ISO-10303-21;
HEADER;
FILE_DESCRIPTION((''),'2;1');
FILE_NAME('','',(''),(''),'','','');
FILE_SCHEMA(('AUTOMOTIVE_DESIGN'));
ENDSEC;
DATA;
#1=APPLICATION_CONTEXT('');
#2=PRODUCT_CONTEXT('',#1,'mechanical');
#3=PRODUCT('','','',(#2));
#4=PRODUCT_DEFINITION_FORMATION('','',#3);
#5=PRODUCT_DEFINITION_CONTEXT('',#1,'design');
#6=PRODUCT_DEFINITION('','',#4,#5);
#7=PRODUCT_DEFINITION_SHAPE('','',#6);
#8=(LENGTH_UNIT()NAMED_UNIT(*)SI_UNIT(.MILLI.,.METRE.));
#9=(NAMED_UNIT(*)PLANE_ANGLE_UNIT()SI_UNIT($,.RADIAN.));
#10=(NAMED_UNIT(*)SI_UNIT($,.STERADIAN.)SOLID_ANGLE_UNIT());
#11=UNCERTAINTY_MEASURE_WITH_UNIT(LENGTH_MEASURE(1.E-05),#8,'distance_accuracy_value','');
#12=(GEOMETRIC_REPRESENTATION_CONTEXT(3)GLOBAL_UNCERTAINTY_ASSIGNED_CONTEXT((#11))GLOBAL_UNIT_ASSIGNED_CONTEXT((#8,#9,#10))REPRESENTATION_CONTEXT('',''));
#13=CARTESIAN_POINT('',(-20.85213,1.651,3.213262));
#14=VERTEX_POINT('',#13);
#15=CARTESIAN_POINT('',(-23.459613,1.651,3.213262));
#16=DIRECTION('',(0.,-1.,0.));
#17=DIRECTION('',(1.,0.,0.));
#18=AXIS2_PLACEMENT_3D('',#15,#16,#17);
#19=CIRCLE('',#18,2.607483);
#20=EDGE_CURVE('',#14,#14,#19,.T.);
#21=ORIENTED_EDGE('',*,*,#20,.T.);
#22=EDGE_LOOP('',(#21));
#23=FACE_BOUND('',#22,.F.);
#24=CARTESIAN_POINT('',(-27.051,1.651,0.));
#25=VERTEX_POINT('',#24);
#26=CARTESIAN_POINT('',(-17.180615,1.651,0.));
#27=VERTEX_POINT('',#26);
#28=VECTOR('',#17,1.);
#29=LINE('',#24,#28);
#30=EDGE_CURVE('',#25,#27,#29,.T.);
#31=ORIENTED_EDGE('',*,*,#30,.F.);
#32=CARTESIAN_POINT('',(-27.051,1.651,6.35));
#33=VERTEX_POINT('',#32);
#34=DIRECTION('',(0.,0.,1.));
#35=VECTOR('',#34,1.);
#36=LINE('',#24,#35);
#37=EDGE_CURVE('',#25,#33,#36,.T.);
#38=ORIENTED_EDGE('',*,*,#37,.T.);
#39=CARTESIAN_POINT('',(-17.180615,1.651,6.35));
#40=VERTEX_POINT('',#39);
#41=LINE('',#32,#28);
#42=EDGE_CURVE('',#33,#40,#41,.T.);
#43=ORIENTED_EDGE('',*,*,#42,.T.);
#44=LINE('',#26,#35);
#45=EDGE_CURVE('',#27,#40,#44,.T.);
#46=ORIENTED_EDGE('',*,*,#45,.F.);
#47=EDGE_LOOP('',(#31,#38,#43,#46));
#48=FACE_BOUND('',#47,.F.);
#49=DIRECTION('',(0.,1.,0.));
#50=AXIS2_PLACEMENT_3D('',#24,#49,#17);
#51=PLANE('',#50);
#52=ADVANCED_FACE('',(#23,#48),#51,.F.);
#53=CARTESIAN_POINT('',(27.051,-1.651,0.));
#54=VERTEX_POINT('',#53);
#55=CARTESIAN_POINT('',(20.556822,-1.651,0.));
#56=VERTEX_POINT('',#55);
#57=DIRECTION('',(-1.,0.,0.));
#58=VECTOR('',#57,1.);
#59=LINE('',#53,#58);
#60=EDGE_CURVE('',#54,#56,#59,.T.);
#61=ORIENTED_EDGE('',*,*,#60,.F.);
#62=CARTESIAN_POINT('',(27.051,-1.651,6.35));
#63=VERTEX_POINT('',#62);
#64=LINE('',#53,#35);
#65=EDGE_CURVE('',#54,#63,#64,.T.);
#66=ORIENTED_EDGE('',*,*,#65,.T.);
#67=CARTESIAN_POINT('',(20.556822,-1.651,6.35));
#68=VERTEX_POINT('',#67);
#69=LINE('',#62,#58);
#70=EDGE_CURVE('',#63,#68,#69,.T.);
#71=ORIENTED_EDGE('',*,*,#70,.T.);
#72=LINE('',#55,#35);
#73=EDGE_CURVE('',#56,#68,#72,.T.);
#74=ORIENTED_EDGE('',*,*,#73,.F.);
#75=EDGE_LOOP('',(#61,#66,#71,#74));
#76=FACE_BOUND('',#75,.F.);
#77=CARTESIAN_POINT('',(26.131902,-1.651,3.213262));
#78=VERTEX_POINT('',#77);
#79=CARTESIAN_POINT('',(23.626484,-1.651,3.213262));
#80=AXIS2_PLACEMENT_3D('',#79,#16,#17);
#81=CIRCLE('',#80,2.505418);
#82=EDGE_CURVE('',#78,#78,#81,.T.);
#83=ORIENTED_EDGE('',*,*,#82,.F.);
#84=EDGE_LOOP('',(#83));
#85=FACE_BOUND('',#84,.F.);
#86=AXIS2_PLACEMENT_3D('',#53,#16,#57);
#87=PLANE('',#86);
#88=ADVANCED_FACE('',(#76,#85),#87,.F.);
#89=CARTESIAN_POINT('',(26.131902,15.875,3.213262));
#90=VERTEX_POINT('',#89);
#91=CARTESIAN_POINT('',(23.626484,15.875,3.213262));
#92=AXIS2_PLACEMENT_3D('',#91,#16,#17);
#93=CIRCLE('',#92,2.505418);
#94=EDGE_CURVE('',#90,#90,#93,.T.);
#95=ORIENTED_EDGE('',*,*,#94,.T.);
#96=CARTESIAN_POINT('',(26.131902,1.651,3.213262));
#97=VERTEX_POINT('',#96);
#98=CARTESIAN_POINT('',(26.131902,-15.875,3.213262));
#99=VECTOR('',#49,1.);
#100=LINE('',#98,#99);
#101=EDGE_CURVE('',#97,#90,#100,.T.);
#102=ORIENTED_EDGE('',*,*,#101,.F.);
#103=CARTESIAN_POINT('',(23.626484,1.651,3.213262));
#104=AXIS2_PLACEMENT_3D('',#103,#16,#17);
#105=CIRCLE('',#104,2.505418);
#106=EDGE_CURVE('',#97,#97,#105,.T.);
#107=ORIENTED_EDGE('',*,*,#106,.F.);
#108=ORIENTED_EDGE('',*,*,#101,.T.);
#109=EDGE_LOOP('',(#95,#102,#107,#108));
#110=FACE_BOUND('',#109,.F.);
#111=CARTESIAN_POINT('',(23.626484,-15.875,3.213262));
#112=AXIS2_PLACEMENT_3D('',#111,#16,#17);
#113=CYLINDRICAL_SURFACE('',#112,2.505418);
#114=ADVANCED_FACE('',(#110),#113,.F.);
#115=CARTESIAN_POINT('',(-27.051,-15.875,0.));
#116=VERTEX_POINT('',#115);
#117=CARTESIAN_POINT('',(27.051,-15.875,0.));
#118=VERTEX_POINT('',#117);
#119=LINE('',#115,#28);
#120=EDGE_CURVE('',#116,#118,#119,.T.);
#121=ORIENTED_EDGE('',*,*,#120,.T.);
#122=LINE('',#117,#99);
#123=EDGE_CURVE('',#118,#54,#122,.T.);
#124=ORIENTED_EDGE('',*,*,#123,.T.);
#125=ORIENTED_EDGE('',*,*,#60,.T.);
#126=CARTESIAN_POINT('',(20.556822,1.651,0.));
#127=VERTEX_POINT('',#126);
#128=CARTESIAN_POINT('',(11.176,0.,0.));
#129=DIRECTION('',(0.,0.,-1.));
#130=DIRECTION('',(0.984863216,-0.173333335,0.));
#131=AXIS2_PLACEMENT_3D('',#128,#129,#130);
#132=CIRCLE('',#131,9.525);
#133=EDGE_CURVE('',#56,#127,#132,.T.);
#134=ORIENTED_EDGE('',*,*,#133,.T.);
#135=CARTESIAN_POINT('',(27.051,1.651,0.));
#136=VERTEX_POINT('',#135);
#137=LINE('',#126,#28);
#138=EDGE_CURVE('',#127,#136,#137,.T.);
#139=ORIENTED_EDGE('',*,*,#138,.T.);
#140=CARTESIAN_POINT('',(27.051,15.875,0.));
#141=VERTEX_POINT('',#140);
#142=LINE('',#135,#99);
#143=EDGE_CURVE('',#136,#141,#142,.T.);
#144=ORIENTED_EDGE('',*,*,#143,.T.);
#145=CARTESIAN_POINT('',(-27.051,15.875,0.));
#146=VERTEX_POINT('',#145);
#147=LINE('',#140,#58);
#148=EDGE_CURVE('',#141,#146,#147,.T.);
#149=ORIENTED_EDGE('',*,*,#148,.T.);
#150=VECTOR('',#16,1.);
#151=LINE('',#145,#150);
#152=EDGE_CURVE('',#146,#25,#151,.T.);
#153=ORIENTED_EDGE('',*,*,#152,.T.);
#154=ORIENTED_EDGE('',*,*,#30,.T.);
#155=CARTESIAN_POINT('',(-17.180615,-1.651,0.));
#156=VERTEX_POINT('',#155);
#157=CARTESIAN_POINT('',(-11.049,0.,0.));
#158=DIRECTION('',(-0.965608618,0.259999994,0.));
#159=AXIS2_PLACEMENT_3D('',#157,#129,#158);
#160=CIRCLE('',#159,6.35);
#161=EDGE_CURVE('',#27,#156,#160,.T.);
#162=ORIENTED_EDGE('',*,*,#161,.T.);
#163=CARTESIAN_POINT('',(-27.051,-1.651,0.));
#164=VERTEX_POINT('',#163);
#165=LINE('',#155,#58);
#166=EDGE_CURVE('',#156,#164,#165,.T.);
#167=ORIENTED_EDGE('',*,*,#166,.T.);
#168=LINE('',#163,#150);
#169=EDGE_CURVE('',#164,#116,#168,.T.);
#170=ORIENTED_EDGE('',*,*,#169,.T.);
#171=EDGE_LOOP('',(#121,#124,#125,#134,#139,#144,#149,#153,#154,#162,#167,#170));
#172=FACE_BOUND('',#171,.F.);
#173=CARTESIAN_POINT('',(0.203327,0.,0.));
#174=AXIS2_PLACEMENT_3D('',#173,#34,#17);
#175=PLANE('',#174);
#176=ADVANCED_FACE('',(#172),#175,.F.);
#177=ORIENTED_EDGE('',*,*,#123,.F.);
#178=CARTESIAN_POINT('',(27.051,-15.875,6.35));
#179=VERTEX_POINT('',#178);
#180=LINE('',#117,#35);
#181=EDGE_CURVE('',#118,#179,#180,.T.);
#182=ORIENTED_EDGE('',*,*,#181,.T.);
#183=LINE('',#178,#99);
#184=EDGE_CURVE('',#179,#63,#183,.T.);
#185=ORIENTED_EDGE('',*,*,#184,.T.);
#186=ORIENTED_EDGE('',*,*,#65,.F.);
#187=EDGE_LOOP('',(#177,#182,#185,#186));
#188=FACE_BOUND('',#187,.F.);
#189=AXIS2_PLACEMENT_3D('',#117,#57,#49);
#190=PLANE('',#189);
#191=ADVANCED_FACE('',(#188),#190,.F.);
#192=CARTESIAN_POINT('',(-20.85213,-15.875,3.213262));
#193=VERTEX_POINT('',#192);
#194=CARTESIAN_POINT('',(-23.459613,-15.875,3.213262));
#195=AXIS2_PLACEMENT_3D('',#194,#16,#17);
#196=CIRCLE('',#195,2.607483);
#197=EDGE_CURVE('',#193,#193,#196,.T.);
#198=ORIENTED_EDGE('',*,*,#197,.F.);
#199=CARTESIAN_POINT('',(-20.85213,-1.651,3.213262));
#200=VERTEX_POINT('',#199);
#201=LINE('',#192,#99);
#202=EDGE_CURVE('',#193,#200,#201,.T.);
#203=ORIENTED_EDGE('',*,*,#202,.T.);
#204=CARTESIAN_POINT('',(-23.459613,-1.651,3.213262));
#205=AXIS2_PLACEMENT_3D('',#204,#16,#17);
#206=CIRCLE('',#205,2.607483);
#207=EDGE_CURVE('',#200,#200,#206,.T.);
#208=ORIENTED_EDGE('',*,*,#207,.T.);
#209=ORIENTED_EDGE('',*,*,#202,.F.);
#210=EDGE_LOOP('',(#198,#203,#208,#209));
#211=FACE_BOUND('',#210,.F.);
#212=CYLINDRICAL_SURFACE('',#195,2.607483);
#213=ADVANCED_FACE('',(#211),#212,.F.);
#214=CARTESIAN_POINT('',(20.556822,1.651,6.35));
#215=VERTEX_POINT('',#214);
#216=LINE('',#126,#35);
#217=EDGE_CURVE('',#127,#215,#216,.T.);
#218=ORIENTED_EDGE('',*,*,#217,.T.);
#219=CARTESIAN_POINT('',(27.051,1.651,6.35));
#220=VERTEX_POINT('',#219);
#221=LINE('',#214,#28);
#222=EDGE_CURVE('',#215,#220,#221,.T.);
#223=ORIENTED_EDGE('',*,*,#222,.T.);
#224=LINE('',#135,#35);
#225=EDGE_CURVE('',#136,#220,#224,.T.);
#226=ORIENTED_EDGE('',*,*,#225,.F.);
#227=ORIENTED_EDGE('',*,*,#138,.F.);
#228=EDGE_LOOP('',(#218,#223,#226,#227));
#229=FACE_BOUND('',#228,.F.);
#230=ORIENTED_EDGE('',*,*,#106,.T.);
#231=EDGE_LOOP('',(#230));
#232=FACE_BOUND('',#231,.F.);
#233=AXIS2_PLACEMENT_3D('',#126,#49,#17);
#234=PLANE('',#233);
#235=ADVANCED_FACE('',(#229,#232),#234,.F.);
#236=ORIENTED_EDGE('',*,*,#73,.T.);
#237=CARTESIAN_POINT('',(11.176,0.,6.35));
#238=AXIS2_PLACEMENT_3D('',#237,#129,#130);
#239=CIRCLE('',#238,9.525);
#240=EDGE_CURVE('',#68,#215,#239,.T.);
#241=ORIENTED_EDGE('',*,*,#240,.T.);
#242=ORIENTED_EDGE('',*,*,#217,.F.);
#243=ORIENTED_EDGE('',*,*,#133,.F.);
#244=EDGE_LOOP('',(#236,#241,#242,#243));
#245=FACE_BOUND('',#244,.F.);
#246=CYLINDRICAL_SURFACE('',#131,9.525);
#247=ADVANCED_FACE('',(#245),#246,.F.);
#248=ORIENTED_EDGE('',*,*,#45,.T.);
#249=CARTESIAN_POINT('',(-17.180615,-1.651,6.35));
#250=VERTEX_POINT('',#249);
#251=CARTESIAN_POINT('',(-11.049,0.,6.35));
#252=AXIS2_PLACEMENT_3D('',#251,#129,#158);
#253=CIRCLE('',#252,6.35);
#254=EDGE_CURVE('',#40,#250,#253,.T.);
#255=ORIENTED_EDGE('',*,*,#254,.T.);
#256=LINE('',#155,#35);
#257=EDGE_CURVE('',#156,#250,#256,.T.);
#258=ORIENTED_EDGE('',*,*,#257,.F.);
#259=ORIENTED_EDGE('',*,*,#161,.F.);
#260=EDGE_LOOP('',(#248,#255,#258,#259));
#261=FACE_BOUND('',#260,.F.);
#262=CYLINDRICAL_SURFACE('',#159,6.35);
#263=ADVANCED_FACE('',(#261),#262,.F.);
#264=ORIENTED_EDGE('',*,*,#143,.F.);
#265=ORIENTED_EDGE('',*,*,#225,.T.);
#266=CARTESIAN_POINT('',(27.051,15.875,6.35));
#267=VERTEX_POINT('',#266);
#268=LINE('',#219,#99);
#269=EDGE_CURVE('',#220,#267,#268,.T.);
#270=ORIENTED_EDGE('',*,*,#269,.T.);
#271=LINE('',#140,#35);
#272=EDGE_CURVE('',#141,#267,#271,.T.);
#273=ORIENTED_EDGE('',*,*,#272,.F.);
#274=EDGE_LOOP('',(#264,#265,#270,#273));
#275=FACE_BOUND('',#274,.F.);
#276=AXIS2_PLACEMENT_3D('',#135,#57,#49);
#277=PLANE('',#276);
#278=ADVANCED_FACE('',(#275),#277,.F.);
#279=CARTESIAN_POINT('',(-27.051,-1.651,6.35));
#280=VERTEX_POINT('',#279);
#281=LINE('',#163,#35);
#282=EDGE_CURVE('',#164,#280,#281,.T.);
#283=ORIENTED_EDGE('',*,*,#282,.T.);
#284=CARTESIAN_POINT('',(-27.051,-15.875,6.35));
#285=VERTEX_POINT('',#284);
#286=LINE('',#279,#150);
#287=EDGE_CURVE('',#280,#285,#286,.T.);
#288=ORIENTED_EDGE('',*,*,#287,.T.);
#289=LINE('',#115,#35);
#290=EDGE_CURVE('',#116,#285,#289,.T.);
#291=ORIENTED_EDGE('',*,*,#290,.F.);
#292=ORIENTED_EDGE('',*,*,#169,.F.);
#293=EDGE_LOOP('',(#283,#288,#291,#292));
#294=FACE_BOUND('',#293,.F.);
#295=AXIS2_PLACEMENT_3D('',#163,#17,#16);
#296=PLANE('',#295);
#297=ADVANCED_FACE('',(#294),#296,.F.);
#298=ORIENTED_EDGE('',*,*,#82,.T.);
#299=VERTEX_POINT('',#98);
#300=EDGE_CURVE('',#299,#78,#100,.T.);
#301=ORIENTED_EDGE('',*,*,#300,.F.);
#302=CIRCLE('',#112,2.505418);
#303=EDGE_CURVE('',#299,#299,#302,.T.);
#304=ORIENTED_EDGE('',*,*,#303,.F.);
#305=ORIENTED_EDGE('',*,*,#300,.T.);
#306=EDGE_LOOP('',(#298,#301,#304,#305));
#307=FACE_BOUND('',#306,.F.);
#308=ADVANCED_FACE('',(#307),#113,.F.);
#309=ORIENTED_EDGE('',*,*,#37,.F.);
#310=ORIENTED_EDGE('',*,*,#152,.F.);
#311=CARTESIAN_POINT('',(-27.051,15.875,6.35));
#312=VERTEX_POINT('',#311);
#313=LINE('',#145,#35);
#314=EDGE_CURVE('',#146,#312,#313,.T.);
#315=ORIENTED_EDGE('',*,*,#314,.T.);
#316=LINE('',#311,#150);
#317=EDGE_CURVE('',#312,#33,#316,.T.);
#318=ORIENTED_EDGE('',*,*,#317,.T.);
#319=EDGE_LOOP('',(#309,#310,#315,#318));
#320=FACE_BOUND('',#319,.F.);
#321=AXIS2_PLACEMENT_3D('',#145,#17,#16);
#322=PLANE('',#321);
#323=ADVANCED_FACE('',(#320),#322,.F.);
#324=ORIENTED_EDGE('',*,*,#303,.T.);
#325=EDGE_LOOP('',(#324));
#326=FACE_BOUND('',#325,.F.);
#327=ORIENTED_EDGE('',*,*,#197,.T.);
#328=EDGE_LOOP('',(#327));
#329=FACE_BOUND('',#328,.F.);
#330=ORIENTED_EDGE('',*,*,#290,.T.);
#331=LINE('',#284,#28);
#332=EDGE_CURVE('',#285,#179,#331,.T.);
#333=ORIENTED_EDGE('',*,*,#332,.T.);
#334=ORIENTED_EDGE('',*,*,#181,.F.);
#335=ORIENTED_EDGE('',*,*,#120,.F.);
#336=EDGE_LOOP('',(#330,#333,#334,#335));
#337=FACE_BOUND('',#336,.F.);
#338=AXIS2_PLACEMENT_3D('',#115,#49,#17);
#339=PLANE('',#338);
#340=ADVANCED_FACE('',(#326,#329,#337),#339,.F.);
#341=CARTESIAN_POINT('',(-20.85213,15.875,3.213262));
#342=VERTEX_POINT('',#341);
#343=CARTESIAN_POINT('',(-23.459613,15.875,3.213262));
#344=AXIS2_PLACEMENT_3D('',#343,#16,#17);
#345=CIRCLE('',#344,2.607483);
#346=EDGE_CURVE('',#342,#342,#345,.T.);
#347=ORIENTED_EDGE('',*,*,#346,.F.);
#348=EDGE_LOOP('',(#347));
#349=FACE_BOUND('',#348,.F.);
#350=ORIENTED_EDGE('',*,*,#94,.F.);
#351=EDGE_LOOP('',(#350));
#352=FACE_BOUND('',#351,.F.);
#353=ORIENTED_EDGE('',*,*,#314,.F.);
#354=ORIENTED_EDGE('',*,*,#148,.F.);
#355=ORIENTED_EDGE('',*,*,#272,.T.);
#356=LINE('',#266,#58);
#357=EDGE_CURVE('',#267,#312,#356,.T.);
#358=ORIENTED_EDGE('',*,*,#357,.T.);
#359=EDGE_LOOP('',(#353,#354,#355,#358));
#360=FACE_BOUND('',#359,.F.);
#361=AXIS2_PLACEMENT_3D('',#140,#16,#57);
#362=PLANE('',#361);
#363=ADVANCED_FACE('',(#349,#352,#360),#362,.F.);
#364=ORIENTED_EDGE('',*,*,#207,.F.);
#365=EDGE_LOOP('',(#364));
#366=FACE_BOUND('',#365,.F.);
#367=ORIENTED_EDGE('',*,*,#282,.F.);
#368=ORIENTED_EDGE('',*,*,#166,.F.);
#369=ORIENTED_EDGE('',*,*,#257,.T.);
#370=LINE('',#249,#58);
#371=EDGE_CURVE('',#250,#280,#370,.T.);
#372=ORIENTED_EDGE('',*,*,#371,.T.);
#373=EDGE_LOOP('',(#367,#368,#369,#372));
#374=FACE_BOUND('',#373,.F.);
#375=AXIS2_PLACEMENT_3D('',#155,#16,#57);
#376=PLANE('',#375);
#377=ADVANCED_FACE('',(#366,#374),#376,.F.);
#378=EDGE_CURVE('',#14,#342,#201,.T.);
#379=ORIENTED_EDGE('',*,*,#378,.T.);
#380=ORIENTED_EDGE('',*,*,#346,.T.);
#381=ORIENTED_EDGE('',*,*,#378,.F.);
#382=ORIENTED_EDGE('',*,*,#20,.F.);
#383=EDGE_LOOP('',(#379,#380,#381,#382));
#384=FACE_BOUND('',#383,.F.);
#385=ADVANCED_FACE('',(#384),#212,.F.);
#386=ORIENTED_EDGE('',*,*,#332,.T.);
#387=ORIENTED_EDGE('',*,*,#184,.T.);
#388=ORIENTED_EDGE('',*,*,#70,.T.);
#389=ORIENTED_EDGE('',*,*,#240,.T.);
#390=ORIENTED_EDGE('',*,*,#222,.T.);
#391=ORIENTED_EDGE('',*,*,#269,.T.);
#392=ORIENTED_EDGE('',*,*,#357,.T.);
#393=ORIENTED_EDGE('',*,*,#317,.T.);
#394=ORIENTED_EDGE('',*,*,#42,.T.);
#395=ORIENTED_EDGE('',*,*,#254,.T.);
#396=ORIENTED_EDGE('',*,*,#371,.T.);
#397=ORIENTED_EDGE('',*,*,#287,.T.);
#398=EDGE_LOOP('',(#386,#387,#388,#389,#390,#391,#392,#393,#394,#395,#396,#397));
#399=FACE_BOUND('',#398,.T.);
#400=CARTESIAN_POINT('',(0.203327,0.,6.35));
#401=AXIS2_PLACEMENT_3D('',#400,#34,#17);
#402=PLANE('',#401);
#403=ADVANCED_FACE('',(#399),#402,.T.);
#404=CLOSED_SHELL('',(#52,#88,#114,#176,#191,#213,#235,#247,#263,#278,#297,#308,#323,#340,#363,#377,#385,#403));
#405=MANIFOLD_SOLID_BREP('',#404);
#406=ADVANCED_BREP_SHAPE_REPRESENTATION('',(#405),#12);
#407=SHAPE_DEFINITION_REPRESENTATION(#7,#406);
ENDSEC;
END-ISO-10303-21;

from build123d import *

# Parameters (mm, degrees)
F1_DEPTH = 6.35
F2_R     = 2.607483
F2_R_2   = 2.505418
F3_DEPTH = 34.29


with BuildPart() as f1:
    # F0 (on Top) → F1 (new body)
    with BuildSketch(Plane.XY):
        with BuildLine():
            Line((27.051, 15.875), (-27.051, 15.875))
            Line((-27.051, 15.875), (-27.051, 1.651))
            Line((-27.051, 1.651), (-17.180615, 1.651))
            ThreePointArc((-17.180615, 1.651), (-4.699, 0), (-17.180615, -1.651))
            Line((-17.180615, -1.651), (-27.051, -1.651))
            Line((-27.051, -1.651), (-27.051, -15.875))
            Line((-27.051, -15.875), (27.051, -15.875))
            Line((27.051, -15.875), (27.051, -1.651))
            Line((27.051, -1.651), (20.556822, -1.651))
            ThreePointArc((20.556822, -1.651), (1.651, 0), (20.556822, 1.651))
            Line((20.556822, 1.651), (27.051, 1.651))
            Line((27.051, 1.651), (27.051, 15.875))
        make_face()
    extrude(amount=F1_DEPTH)

    # F2 (on face) → F3 (cut)
    with BuildSketch(Plane.XZ.offset(15.875)):
        with Locations((-23.459613, 3.213262)):
            Circle(F2_R)
        with Locations((23.626484, 3.213262)):
            Circle(F2_R_2)
    extrude(amount=-F3_DEPTH, mode=Mode.SUBTRACT)


solid = f1.part
